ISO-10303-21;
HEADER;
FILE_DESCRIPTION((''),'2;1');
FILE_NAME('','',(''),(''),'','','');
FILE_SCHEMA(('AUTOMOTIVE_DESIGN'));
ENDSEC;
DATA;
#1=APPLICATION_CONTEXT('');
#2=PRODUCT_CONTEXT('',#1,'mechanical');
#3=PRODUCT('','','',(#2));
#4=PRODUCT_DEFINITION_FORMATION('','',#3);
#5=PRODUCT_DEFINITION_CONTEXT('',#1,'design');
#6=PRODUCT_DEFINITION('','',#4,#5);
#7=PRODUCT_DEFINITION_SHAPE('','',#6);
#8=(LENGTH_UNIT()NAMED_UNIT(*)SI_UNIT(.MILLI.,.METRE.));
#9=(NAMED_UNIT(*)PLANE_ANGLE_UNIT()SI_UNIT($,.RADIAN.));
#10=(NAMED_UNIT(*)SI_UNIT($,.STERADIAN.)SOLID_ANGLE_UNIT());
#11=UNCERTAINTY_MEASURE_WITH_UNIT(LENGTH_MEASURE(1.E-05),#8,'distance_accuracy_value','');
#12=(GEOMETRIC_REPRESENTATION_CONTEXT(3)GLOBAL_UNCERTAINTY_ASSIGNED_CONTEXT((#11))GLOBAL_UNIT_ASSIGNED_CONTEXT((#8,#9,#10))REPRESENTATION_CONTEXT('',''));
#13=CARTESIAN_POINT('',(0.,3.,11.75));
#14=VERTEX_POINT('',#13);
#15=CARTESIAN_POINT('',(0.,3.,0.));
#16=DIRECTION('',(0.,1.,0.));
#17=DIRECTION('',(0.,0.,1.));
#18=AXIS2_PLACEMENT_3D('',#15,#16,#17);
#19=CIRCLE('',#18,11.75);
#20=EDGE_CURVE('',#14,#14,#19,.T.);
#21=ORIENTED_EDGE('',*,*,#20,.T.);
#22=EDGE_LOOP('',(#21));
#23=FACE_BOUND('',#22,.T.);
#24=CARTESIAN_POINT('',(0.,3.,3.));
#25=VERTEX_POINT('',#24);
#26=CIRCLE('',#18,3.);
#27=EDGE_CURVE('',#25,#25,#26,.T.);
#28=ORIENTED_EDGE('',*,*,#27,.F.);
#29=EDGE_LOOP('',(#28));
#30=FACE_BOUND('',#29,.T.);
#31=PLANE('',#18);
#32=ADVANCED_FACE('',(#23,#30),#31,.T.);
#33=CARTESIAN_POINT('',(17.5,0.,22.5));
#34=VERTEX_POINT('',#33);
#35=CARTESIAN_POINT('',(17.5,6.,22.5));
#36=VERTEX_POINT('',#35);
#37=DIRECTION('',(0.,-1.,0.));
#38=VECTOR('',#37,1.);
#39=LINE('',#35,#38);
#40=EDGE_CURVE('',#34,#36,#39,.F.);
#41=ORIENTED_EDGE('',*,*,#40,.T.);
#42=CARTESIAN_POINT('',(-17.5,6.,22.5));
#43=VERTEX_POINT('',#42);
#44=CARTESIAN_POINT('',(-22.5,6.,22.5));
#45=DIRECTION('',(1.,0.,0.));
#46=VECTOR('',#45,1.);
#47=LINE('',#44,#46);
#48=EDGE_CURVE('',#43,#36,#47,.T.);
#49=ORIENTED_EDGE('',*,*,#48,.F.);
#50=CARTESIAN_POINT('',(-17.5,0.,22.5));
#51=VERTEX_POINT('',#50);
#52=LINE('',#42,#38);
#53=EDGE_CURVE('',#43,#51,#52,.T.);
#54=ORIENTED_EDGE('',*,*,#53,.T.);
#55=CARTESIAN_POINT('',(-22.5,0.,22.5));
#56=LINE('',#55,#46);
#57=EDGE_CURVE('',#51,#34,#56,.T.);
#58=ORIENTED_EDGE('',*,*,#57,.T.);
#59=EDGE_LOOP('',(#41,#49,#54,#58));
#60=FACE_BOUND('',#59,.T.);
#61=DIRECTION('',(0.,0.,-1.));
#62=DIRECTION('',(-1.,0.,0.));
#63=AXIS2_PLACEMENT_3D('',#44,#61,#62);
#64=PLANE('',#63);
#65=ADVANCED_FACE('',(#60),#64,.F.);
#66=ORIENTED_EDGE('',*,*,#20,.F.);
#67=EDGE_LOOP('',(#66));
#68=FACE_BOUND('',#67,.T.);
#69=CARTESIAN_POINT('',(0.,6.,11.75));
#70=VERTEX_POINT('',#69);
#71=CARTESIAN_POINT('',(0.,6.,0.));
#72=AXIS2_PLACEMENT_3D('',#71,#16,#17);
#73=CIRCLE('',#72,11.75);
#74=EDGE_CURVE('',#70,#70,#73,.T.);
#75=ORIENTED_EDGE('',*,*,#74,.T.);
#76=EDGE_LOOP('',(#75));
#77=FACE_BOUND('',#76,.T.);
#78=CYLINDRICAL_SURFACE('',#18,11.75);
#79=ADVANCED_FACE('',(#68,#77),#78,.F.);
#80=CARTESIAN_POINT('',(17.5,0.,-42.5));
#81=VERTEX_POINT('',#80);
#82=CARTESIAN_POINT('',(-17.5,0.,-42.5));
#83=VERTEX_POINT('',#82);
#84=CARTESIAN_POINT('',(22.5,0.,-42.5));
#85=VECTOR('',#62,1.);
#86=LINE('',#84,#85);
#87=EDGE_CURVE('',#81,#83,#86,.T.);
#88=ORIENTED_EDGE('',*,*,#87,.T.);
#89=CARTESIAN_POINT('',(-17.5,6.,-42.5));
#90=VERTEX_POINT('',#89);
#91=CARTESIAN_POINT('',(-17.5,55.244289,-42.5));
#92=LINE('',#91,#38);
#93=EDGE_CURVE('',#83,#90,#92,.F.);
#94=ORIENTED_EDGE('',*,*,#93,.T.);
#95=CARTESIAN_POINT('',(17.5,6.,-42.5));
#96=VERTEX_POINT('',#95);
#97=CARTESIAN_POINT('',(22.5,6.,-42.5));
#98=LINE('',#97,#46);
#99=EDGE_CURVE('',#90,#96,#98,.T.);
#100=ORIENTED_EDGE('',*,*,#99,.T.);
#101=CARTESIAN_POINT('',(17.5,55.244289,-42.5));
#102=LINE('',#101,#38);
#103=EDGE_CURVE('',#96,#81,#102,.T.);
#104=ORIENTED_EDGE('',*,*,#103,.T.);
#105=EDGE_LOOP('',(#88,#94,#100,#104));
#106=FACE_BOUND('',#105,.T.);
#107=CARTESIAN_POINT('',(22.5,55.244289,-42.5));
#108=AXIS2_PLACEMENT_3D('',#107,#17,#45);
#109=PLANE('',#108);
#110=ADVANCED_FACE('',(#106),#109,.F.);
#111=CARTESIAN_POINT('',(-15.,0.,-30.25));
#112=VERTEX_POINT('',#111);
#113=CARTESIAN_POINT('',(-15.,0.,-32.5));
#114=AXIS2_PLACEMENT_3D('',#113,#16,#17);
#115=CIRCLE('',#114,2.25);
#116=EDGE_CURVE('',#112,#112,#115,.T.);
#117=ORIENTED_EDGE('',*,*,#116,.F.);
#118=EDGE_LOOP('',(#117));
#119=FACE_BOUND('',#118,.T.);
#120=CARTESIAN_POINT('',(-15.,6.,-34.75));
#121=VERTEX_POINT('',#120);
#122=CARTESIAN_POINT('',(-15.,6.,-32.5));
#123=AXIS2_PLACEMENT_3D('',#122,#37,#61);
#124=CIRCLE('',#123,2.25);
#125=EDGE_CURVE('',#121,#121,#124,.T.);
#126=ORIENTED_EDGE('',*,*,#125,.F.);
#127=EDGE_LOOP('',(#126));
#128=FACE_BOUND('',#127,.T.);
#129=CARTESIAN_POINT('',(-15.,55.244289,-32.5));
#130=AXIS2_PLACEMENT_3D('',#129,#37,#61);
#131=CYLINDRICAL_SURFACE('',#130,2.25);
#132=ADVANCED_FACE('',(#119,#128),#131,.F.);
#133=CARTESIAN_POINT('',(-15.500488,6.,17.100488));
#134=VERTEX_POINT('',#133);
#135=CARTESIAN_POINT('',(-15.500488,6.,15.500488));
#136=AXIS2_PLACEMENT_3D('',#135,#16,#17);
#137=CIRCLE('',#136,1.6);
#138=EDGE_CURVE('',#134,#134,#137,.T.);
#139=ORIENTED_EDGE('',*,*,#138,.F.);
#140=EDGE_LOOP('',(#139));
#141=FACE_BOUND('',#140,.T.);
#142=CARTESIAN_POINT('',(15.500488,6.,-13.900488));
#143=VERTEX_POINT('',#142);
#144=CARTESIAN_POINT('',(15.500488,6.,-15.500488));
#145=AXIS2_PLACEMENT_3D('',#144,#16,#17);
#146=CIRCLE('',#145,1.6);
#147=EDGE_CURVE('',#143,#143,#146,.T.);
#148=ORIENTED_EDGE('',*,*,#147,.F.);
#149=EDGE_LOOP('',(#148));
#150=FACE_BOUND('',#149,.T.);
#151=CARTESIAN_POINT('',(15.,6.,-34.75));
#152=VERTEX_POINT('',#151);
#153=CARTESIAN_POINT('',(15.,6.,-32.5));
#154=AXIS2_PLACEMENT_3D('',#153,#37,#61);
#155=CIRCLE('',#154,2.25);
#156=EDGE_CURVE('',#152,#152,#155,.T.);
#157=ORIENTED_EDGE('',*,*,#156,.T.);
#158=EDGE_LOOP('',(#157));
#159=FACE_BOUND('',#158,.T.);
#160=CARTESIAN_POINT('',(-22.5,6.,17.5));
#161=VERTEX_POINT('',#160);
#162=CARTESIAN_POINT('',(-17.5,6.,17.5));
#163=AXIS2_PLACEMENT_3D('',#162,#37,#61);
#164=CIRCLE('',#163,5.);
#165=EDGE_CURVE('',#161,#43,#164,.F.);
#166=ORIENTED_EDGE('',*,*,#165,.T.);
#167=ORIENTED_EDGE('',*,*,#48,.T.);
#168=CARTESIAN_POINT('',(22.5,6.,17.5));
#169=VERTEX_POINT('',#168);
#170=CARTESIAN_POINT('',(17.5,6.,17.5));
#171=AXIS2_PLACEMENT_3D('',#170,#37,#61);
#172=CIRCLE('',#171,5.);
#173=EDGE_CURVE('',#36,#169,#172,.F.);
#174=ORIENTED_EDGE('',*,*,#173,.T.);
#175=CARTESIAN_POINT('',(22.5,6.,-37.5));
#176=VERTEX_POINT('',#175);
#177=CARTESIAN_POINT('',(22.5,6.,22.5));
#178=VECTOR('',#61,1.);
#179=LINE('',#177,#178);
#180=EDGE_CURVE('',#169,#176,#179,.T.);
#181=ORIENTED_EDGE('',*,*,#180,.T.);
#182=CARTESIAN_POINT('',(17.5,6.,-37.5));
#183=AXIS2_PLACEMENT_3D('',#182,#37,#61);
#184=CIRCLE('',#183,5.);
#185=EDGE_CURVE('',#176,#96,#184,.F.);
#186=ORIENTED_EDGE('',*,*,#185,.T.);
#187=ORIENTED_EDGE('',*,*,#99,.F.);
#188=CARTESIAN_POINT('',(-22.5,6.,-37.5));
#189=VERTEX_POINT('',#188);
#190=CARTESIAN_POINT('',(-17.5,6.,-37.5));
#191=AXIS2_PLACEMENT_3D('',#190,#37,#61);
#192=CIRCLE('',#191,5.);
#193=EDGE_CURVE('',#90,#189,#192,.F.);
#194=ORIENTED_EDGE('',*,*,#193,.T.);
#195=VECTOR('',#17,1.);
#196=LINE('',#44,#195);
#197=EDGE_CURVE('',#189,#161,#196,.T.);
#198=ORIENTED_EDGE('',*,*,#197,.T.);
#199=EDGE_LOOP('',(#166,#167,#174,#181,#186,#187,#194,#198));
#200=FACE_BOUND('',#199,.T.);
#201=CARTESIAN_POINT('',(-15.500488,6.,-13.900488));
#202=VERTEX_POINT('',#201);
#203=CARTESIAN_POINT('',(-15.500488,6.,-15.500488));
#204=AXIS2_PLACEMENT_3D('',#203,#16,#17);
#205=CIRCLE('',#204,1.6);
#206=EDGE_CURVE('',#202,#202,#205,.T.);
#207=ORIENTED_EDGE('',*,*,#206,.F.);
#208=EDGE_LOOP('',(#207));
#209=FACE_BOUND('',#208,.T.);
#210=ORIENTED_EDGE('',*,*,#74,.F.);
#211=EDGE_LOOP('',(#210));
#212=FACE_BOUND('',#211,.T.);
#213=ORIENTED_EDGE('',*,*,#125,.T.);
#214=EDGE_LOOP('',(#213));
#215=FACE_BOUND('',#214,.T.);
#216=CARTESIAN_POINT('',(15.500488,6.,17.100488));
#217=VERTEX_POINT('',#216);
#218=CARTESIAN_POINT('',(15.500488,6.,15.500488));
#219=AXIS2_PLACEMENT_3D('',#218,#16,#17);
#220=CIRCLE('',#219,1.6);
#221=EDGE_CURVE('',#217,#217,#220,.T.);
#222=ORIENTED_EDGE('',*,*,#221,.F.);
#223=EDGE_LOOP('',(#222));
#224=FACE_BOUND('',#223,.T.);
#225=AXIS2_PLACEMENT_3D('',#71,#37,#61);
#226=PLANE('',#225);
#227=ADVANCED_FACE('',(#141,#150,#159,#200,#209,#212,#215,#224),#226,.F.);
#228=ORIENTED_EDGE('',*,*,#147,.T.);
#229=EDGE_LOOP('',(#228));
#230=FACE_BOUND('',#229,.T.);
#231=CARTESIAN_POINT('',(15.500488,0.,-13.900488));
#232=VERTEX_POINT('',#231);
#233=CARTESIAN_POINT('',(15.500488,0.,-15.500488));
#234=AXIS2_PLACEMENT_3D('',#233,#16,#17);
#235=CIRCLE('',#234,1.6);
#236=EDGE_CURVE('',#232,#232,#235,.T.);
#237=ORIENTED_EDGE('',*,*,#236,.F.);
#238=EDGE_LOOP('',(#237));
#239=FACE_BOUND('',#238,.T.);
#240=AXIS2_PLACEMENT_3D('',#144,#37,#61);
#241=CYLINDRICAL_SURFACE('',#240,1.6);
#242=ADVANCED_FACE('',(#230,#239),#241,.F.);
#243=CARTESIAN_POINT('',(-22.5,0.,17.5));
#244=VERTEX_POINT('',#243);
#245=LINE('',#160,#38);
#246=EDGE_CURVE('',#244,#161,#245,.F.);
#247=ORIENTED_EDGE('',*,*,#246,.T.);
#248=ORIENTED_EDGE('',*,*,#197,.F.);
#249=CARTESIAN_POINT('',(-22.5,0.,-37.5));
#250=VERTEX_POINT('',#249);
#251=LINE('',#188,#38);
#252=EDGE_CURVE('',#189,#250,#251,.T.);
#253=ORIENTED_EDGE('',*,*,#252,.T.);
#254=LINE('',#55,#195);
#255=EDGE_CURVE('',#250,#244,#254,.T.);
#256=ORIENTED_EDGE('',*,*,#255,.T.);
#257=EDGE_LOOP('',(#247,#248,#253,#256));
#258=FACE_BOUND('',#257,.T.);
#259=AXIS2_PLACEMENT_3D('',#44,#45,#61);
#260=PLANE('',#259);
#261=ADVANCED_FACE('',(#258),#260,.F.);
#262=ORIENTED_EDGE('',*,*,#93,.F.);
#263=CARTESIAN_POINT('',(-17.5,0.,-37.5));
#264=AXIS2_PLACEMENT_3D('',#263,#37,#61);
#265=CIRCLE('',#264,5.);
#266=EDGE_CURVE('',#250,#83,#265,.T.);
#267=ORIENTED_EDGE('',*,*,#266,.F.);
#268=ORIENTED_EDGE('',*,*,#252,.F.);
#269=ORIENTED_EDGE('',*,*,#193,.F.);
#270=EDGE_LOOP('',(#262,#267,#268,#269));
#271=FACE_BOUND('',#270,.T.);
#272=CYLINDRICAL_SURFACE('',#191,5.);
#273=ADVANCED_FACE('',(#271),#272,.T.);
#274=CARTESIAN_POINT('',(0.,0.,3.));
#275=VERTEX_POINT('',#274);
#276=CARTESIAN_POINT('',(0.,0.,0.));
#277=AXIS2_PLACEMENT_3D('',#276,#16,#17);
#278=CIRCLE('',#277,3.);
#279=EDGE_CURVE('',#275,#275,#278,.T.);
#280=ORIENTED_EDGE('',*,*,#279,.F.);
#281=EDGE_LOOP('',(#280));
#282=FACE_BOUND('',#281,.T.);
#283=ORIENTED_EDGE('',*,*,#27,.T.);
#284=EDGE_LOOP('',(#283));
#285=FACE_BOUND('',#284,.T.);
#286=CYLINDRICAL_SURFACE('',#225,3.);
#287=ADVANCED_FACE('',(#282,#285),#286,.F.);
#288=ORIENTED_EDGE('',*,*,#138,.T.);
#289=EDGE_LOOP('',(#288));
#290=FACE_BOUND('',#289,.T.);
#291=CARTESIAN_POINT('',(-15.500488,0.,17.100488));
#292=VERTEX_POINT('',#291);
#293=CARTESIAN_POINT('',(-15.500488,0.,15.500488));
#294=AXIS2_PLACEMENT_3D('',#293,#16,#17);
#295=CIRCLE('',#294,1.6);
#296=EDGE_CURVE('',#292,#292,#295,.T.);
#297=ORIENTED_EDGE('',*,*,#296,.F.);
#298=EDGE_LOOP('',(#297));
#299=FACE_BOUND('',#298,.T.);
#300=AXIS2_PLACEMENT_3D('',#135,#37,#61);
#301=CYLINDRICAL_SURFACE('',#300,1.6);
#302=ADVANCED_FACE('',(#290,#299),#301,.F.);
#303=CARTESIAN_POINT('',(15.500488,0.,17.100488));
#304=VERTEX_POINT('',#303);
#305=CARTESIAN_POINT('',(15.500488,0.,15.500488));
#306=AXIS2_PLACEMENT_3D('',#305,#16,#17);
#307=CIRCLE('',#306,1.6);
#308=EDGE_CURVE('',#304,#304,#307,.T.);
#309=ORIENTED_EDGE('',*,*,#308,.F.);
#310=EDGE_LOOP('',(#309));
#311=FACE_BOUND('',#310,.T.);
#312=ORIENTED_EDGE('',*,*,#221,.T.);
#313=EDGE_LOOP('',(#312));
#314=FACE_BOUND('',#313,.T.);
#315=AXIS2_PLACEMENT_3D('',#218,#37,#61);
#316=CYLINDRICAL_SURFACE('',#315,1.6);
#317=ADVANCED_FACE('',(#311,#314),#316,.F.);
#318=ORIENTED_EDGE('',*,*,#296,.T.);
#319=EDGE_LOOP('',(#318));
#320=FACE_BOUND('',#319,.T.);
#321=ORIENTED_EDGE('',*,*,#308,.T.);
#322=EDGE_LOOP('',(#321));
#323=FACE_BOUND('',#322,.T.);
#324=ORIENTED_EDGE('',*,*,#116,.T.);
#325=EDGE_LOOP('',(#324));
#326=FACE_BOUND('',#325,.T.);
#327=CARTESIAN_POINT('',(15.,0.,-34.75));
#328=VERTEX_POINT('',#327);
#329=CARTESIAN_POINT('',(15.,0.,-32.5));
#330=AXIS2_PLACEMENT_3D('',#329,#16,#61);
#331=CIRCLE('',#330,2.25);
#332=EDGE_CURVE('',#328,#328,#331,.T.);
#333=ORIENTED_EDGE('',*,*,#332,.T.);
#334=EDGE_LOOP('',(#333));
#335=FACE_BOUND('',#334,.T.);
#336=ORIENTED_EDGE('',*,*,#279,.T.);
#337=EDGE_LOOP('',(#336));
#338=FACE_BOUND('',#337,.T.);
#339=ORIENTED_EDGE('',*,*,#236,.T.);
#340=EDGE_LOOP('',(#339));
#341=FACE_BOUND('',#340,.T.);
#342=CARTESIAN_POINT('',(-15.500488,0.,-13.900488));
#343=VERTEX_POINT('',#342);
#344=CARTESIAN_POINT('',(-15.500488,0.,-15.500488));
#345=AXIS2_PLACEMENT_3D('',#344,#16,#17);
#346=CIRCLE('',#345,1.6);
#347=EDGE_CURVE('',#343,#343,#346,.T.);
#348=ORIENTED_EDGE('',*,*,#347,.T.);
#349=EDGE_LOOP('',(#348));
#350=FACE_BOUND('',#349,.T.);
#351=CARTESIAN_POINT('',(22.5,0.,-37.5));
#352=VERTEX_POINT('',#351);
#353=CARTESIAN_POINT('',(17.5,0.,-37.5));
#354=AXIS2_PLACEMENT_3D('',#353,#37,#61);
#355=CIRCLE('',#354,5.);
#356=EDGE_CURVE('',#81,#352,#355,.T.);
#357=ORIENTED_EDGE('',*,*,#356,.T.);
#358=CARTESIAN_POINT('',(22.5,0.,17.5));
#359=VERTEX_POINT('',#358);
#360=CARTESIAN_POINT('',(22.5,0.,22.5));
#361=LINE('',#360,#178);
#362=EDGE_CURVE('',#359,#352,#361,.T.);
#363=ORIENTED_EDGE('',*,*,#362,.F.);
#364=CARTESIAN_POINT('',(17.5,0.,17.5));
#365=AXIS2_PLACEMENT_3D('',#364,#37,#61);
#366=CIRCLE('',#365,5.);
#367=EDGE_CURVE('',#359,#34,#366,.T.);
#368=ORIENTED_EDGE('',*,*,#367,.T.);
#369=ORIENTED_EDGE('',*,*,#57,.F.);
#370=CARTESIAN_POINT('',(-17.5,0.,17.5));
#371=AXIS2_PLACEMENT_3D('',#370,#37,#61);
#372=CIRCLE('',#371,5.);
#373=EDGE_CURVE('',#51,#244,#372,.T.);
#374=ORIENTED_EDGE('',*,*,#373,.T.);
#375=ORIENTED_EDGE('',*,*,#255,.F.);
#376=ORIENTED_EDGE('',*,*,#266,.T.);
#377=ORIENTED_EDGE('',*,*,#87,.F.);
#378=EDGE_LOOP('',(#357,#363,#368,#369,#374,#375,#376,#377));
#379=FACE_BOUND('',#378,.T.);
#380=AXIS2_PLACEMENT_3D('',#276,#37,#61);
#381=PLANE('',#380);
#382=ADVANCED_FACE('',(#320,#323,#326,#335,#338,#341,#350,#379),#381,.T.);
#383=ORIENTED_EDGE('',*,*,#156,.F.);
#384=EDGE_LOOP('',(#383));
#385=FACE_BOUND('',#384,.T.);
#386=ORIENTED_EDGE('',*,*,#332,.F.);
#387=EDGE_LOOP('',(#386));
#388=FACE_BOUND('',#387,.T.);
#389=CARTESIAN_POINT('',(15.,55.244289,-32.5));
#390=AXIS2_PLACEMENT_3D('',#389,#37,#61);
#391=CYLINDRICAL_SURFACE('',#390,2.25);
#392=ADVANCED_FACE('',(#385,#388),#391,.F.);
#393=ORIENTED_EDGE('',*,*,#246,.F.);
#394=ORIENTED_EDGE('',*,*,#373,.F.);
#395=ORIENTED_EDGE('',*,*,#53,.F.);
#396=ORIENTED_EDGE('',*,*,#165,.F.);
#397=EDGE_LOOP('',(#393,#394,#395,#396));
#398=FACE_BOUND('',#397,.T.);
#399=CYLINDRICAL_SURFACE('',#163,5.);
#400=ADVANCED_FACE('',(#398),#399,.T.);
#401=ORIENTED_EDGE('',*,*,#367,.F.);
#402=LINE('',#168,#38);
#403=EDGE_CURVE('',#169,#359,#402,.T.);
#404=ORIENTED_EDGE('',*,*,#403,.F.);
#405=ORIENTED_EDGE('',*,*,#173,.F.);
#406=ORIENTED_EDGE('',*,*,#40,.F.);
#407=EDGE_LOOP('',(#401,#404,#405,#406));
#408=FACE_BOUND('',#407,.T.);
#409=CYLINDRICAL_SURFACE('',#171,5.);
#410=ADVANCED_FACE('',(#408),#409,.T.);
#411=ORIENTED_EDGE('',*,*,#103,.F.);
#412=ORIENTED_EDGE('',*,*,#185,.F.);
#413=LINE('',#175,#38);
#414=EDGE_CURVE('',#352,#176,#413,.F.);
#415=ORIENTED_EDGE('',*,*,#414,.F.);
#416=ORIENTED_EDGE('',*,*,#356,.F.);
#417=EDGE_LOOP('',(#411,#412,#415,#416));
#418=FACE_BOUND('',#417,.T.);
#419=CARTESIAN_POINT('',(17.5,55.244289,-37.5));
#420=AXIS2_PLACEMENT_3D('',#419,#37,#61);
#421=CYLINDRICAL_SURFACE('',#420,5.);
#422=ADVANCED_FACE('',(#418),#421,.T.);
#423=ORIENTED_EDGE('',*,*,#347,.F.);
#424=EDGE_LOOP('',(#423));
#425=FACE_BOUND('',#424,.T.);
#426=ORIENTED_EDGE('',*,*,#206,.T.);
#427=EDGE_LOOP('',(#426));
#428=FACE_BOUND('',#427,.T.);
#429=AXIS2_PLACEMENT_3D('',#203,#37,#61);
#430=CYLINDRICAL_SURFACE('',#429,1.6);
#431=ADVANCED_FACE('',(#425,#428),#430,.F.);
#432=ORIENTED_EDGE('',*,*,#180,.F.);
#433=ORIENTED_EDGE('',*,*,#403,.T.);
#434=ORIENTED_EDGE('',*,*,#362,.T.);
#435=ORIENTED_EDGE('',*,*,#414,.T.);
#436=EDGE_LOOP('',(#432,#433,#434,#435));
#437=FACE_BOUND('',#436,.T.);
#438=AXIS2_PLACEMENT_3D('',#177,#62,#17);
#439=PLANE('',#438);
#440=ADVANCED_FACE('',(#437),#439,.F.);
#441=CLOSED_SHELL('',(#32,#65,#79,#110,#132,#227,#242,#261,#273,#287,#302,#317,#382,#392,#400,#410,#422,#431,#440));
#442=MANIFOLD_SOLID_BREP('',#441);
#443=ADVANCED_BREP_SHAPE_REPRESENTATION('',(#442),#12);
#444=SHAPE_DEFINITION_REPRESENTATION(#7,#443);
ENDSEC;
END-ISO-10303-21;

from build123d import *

# Parameters (mm, degrees)
SKETCH1_W           = 45
SKETCH1_H           = 45
SKETCH1_R           = 3
SKETCH1_R_2         = 1.6
BOSS_EXTRUDE1_DEPTH = 6
SKETCH2_R           = 11.75
CUT_EXTRUDE1_DEPTH  = 3
SKETCH5_W           = 45
SKETCH5_H           = 20
SKETCH5_R           = 2.25
BOSS_EXTRUDE2_DEPTH = 6
FILLET1_R           = 5


with BuildPart() as part:
    # Sketch1 → Boss-Extrude1 (new body)
    with BuildSketch(Plane(origin=(0, 0, 0), x_dir=(1, 0, 0), z_dir=(0, 1, 0))):
        Rectangle(SKETCH1_W, SKETCH1_H)
        with Locations(Location((0, 0, 0), (0, 0, 270))):
            Circle(SKETCH1_R, mode=Mode.SUBTRACT)
        with Locations(Location((-15.50048775, 15.50048775, 0), (0, 0, 270))):
            Circle(SKETCH1_R_2, mode=Mode.SUBTRACT)
        with Locations(Location((15.50048775, 15.50048775, 0), (0, 0, 270))):
            Circle(SKETCH1_R_2, mode=Mode.SUBTRACT)
        with Locations(Location((15.50048775, -15.50048775, 0), (0, 0, 270))):
            Circle(SKETCH1_R_2, mode=Mode.SUBTRACT)
        with Locations(Location((-15.50048775, -15.50048775, 0), (0, 0, 270))):
            Circle(SKETCH1_R_2, mode=Mode.SUBTRACT)
    extrude(amount=BOSS_EXTRUDE1_DEPTH)

    # Sketch2 → Cut-Extrude1 (cut)
    with BuildSketch(Plane(origin=(0, 6, 0), x_dir=(1, 0, 0), z_dir=(0, 1, 0))):
        with Locations(Location((0, 0, 0), (0, 0, 270))):
            Circle(SKETCH2_R)
    extrude(amount=-CUT_EXTRUDE1_DEPTH, mode=Mode.SUBTRACT)

    # Sketch5 → Boss-Extrude2 (add)
    with BuildSketch(Plane(origin=(0, 0, 0), x_dir=(1, 0, 0), z_dir=(0, 1, 0))):
        with Locations((0, 32.5)):
            Rectangle(SKETCH5_W, SKETCH5_H)
        with Locations(Location((-15, 32.5, 0), (0, 0, 90))):
            Circle(SKETCH5_R, mode=Mode.SUBTRACT)
        with Locations(Location((15, 32.5, 0), (0, 0, 90))):
            Circle(SKETCH5_R, mode=Mode.SUBTRACT)
    extrude(amount=BOSS_EXTRUDE2_DEPTH)

    # Fillet1
    fillet1_edges = [part.edges().sort_by_distance(p)[0] for p in [
        (-22.5, 3, -42.5),
        (22.5, 3, -42.5),
        (22.5, 3, 22.5),
        (-22.5, 3, 22.5),
    ]]
    fillet(fillet1_edges, radius=FILLET1_R)


solid = part.part
